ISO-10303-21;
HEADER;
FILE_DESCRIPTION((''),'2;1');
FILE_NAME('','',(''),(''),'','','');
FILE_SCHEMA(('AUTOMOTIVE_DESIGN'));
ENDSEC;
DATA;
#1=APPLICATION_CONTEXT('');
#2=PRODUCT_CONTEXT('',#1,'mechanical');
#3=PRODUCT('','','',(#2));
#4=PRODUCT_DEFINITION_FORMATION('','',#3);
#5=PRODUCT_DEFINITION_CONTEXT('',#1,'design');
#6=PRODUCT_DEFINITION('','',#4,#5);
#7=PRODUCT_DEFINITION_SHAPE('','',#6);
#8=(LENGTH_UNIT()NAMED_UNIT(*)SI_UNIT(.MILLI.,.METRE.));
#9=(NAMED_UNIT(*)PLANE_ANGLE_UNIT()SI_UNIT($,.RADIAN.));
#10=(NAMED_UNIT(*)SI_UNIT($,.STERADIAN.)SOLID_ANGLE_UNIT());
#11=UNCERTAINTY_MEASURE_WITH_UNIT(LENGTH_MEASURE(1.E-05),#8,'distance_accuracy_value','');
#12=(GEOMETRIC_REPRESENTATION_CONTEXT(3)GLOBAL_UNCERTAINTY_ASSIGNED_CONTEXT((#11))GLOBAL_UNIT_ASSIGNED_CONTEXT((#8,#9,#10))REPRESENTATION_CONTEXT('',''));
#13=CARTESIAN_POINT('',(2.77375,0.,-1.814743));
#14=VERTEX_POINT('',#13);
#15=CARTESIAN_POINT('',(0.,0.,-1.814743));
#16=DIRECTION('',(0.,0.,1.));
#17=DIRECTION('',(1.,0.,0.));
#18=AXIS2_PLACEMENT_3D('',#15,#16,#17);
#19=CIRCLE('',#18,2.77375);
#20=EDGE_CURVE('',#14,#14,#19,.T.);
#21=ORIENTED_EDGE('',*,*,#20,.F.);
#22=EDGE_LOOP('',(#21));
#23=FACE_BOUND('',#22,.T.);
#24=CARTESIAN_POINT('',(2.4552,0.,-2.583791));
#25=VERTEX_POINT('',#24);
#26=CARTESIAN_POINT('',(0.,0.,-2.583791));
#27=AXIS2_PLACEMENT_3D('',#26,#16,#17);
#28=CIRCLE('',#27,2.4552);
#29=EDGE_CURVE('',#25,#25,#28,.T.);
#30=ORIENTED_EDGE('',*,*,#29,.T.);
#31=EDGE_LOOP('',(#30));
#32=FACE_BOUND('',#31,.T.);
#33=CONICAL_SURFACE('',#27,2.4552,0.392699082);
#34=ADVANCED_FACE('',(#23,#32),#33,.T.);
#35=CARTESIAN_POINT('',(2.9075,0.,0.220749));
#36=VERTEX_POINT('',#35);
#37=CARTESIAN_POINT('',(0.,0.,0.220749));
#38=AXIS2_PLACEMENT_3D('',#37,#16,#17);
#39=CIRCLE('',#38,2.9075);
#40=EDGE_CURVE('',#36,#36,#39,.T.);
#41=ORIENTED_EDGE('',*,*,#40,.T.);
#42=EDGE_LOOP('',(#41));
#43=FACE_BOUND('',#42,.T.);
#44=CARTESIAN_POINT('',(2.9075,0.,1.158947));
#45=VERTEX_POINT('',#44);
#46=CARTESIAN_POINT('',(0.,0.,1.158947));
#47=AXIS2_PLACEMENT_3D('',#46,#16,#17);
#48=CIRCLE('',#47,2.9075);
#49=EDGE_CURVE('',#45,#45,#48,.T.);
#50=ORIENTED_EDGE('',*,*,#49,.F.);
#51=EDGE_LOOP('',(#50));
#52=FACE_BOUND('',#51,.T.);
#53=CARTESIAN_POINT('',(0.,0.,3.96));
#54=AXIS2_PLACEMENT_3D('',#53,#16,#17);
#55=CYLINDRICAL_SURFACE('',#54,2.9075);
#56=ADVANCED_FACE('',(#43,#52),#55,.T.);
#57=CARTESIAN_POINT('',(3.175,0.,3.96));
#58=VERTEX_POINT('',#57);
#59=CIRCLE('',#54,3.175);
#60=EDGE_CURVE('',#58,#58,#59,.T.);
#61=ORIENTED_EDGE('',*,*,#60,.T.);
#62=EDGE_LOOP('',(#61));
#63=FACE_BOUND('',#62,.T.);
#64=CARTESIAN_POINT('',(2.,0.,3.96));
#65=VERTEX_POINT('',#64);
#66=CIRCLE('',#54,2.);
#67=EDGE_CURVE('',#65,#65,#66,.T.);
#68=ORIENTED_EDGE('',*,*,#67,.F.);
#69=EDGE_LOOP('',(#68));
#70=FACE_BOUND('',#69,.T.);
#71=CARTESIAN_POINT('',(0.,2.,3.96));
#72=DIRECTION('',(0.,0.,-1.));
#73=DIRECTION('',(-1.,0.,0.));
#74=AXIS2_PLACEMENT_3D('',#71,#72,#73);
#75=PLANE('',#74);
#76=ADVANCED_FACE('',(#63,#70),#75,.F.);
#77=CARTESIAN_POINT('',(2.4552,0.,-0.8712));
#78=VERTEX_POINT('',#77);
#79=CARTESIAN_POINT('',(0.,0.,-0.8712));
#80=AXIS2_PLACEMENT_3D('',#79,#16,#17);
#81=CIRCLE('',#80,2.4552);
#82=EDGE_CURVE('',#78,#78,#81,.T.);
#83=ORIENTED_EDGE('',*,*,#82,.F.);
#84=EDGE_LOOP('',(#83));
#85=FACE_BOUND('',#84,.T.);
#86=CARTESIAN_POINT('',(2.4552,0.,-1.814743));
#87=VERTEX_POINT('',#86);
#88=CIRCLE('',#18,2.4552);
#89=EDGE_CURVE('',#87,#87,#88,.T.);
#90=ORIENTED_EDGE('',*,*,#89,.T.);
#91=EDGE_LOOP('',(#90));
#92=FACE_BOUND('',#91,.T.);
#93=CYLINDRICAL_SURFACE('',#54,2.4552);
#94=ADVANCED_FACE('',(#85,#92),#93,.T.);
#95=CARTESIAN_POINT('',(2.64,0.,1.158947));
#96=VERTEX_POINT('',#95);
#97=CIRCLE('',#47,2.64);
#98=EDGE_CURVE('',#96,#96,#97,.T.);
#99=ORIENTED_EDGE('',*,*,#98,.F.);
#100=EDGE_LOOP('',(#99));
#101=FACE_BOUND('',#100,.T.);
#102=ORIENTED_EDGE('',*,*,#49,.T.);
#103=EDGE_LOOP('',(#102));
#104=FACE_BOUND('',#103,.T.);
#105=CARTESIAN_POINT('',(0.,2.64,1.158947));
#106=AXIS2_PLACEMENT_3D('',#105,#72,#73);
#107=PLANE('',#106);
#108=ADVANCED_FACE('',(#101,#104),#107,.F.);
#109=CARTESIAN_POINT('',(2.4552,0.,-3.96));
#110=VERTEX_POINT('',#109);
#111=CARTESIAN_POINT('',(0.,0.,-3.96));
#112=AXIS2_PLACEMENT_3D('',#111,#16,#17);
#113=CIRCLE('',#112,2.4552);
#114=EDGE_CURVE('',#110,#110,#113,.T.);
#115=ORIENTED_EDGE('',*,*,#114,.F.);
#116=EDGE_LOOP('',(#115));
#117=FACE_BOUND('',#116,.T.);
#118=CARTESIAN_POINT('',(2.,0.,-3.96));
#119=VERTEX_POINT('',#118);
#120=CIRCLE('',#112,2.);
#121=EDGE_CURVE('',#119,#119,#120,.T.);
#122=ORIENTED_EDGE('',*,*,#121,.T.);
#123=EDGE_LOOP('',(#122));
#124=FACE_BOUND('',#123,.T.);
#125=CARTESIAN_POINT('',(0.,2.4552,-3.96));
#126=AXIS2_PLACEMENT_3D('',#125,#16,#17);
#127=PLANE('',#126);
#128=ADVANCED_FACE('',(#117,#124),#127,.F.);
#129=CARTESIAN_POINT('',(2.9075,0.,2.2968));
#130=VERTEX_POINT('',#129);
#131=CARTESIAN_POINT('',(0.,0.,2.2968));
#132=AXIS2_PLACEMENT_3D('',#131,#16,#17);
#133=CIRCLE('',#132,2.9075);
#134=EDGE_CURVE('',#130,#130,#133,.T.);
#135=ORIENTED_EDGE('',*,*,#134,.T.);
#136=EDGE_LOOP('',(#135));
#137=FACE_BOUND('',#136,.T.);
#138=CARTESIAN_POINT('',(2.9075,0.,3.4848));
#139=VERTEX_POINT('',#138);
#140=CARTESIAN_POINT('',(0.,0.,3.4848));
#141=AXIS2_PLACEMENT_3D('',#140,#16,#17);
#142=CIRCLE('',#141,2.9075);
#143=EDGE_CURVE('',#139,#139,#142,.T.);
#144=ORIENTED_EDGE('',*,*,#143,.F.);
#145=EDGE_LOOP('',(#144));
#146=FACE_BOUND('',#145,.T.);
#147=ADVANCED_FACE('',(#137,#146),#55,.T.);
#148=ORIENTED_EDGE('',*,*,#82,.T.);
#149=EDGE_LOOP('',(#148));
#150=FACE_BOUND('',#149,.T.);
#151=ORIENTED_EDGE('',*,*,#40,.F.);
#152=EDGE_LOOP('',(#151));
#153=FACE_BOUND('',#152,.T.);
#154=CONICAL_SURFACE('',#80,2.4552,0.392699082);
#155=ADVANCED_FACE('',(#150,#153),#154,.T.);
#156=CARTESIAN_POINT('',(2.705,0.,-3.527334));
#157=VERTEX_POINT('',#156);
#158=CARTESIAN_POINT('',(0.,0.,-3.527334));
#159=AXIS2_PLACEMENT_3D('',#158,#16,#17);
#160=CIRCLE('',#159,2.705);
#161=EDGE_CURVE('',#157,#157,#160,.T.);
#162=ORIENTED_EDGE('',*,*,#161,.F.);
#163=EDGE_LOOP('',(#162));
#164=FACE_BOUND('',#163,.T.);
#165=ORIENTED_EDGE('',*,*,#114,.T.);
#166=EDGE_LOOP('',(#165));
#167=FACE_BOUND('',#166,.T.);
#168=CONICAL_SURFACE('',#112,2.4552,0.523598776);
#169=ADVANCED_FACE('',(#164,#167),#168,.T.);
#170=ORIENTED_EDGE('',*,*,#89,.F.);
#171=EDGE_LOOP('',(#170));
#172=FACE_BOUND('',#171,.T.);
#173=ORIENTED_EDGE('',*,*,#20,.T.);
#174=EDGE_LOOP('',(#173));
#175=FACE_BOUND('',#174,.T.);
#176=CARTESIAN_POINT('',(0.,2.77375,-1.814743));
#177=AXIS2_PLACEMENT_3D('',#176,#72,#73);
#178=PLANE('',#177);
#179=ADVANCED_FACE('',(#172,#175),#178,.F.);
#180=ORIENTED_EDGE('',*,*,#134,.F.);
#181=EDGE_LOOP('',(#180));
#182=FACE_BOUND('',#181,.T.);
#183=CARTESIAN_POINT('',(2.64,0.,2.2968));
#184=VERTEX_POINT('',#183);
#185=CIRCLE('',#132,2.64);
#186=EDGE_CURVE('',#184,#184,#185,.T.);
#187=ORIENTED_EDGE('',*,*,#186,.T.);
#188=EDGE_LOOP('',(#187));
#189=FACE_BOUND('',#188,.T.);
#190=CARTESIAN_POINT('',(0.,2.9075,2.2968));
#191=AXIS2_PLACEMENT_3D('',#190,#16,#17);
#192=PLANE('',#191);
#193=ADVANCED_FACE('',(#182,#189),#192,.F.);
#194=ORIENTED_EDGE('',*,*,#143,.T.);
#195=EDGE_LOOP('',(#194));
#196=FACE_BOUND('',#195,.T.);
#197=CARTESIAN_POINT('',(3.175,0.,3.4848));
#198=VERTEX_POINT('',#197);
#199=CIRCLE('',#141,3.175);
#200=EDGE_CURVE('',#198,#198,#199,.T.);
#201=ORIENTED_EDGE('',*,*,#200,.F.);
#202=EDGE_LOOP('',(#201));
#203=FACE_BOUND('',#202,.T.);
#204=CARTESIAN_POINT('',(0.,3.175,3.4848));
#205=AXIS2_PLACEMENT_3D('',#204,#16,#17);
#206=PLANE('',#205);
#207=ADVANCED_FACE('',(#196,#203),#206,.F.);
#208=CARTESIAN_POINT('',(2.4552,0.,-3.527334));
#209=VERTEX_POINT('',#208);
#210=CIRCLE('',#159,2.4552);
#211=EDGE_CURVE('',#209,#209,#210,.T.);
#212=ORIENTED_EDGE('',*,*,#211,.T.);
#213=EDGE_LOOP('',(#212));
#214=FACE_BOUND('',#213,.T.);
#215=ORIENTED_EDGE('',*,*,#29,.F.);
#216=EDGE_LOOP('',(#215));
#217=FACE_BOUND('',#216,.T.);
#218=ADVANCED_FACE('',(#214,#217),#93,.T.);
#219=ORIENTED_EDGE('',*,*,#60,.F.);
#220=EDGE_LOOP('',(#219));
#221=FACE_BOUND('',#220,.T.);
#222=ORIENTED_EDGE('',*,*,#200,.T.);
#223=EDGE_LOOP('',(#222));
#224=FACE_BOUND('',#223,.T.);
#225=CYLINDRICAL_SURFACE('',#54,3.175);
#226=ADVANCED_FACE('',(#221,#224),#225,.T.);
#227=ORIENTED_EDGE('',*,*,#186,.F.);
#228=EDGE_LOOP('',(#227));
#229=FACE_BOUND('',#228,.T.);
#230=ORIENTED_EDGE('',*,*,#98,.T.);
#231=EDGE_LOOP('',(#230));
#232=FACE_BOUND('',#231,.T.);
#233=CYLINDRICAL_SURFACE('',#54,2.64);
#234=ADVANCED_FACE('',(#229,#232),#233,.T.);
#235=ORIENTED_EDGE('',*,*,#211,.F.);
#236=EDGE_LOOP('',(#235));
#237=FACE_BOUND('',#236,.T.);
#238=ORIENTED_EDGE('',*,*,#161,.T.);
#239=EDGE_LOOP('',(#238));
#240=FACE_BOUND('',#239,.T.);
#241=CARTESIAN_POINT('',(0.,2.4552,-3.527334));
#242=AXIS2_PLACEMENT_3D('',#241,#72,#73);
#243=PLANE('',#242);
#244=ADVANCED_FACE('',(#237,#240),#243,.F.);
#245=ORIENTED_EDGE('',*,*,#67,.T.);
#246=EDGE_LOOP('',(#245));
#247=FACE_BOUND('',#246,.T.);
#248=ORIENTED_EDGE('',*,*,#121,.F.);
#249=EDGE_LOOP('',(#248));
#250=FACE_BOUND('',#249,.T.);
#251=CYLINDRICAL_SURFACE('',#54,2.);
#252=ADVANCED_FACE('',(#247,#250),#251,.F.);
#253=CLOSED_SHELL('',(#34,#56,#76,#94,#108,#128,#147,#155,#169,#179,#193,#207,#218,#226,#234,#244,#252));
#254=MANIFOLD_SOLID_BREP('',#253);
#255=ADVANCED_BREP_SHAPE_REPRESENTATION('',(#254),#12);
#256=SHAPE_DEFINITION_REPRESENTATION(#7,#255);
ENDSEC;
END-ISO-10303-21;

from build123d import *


with BuildPart() as part:
    # Sketch3 → Revolve1 (revolve)
    with BuildSketch(Plane(origin=(0, 0, 0), x_dir=(0, 0, -1), z_dir=(1, 0, 0))):
        Polygon((-3.96, 2), (-3.96, 3.175), (-3.4848, 3.175), (-3.4848, 2.9075), (-2.2968, 2.9075), (-2.2968, 2.64), (-1.158946666, 2.64), (-1.158946666, 2.9075), (-0.220748794, 2.9075), (0.8712, 2.4552), (1.814742989, 2.4552), (1.814742989, 2.77375), (2.583790719, 2.4552), (3.527333708, 2.4552), (3.527333708, 2.705), (3.96, 2.4552), (3.96, 2), align=None)
    revolve(axis=Axis((0, 0, 3.96), (0, 0, -1)))


solid = part.part
